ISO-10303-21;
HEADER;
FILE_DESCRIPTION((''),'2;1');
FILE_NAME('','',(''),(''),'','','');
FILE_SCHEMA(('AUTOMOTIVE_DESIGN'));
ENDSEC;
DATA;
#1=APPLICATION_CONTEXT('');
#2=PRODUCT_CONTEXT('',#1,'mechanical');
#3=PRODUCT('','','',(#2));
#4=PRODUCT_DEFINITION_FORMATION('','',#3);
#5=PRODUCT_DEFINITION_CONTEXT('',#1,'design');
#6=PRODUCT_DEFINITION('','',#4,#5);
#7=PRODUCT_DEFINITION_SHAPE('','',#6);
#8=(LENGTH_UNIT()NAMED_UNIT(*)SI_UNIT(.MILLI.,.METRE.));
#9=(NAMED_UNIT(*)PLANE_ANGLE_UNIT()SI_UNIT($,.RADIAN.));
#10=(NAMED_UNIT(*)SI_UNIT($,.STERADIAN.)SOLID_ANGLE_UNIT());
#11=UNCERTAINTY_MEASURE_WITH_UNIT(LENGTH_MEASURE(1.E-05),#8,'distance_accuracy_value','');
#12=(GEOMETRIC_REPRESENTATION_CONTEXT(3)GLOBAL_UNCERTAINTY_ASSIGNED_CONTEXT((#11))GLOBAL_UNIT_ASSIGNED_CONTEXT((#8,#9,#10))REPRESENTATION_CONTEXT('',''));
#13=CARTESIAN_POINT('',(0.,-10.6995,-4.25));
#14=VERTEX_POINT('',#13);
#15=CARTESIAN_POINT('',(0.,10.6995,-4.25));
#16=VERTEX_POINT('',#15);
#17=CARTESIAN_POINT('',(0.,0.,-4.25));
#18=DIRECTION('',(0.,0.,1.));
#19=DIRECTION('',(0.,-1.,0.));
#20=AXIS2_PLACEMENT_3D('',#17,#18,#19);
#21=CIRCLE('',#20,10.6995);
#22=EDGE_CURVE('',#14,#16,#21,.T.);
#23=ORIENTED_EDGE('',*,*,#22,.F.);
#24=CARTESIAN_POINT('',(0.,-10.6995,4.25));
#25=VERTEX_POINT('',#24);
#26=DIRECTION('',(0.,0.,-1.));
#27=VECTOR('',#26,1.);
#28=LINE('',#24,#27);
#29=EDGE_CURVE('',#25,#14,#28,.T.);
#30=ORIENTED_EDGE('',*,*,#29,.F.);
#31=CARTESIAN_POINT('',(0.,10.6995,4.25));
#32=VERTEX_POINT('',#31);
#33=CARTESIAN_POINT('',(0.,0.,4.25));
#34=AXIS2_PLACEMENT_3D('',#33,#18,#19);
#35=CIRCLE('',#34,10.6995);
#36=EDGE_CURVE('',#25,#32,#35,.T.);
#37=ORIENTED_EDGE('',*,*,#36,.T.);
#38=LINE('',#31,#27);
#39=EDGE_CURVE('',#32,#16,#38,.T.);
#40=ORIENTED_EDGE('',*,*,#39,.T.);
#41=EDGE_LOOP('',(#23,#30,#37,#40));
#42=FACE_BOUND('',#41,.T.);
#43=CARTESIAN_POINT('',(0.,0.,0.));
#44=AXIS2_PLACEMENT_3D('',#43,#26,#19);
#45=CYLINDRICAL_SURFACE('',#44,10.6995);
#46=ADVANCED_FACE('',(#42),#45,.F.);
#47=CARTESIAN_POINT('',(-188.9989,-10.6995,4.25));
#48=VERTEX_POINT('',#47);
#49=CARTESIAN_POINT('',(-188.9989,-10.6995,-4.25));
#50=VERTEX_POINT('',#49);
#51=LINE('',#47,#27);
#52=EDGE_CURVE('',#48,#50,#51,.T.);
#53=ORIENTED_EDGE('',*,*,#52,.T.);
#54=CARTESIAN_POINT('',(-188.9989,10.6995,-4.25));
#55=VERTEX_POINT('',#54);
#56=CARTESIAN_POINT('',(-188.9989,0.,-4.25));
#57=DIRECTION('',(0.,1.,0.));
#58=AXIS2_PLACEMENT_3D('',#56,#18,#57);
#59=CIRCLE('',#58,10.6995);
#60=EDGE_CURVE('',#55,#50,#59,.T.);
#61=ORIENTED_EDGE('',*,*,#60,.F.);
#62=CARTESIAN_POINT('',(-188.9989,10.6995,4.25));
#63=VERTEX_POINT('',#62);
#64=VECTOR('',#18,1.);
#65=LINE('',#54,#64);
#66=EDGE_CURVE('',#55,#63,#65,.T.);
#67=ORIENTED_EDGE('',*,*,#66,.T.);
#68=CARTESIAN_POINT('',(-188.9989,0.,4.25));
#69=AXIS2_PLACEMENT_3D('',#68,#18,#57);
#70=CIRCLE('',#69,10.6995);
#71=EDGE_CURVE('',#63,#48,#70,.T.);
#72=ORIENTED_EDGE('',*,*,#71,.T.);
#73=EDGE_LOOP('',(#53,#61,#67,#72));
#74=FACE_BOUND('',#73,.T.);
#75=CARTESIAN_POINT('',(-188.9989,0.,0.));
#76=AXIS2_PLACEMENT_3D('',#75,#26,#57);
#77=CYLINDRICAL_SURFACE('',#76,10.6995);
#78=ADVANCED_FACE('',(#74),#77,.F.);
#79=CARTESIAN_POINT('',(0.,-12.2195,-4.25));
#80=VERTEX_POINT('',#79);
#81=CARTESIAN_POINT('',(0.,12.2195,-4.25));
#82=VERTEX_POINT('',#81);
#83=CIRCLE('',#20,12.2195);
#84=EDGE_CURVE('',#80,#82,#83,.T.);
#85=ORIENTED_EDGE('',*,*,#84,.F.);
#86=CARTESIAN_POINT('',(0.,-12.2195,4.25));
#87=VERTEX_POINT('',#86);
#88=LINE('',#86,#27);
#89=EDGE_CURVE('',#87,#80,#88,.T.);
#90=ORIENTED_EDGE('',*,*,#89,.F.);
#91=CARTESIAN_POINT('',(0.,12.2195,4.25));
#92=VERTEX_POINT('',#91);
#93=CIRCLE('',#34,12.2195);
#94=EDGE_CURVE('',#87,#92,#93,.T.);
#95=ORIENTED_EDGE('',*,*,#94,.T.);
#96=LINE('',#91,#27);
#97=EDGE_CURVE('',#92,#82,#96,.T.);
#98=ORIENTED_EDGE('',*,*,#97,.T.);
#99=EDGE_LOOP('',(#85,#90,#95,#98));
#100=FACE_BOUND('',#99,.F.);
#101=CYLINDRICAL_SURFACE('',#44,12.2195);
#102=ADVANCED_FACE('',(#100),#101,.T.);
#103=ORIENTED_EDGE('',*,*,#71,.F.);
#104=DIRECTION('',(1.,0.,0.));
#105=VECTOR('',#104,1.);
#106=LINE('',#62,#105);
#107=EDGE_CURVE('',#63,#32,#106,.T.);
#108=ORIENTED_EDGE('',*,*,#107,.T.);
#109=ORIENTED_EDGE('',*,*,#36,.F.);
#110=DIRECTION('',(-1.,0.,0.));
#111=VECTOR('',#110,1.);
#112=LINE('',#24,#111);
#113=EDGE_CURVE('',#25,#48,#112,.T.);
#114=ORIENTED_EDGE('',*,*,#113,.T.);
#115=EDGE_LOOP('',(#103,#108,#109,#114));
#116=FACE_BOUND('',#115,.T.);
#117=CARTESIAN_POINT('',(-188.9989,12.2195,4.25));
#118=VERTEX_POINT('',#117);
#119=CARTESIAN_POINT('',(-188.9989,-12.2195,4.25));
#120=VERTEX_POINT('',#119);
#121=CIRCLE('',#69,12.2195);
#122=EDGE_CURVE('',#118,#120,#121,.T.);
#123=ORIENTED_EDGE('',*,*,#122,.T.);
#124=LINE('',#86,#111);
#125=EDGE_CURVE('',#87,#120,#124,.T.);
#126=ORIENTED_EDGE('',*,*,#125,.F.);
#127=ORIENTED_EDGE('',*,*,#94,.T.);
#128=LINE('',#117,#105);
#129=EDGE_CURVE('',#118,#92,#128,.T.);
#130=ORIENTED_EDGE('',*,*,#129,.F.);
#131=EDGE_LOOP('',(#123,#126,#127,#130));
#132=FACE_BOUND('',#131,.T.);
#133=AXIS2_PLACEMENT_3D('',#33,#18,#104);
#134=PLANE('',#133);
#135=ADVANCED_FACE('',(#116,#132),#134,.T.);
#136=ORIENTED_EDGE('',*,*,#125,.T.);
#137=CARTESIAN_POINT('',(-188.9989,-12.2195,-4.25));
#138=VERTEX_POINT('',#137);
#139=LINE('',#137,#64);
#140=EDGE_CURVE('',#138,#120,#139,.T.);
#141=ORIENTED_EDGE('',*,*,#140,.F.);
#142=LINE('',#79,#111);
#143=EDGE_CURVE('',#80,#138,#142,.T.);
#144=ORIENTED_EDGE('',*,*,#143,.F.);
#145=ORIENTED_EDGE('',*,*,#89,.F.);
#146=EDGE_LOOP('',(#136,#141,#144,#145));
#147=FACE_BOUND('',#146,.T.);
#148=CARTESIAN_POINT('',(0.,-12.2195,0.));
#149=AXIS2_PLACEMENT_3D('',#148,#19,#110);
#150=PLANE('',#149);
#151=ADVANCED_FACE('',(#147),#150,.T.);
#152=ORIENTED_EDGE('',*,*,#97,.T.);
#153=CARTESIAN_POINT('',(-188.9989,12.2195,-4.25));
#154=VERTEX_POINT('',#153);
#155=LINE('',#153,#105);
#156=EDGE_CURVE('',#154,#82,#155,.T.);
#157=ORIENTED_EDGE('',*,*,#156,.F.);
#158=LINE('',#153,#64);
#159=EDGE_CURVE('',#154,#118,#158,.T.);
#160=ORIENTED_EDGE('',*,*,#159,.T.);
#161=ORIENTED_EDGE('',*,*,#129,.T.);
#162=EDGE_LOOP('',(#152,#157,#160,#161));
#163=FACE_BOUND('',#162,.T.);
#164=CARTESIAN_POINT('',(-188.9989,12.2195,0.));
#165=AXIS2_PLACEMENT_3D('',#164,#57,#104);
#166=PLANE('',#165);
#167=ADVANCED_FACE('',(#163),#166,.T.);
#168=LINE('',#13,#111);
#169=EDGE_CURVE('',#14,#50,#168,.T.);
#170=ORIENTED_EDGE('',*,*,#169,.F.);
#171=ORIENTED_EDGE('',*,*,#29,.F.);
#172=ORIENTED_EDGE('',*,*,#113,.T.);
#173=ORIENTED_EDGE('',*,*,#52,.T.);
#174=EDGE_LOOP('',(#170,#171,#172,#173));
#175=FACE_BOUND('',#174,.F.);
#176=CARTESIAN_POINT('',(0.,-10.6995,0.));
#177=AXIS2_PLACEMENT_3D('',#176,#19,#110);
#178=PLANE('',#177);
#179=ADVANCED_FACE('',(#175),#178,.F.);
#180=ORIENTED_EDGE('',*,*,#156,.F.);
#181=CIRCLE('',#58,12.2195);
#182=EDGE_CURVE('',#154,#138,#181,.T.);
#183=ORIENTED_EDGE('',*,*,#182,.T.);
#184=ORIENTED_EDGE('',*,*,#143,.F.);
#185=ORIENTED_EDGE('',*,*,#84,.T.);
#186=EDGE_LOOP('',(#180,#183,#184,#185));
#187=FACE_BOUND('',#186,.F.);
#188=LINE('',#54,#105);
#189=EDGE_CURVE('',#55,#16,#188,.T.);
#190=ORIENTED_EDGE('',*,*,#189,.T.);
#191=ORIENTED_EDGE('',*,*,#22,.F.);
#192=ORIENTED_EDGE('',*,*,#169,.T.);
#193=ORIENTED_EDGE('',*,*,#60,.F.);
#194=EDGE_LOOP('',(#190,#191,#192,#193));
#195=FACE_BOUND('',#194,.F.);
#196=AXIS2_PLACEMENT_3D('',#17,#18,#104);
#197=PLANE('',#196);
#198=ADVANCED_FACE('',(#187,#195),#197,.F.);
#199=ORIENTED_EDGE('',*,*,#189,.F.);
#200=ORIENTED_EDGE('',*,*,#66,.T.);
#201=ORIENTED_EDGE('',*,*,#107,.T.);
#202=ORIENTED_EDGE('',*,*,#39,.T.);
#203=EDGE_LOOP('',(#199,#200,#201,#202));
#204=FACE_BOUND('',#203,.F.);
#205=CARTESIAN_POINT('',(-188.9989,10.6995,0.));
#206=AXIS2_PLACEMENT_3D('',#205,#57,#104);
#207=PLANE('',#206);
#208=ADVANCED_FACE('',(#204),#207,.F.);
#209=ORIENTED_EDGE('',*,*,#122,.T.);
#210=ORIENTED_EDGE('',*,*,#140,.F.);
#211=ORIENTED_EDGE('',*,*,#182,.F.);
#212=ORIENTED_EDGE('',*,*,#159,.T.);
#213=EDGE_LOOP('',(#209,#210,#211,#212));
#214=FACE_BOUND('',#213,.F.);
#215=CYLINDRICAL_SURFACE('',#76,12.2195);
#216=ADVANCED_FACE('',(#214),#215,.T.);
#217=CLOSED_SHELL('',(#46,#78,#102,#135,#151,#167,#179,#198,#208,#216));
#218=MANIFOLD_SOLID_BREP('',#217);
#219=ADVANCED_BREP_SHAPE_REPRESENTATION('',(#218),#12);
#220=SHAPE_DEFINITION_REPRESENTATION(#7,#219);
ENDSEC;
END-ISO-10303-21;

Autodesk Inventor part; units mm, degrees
ref_plane "YZ Plane" through (0, 0, 0) normal (1, 0, 0) x (0, 1, 0)
ref_plane "XZ Plane" through (0, 0, 0) normal (0, 1, 0) x (-1, 0, 0)
ref_plane "XY Plane" through (0, 0, 0) normal (0, 0, 1) x (1, 0, 0)
sketch "Sketch1" plane through (0, 0, 0) normal (0, 0, 1) x (1, 0, 0)
  arc A0 (0, -11.4595) -> (0, 11.4595) centre (0, 0) ccw construction
  arc A1 (-188.9989, 11.4595) -> (-188.9989, -11.4595) centre (-188.9989, 0) ccw construction
  line L0 (0, -11.4595) -> (-188.9989, -11.4595) construction
  line L1 (0, 11.4595) -> (-188.9989, 11.4595) construction
  dimension "Belt_Teeth" = 150
  dimension "Belt_Pitch2" = 3
  dimension "d0" = 22.919
  dimension "d1" = 22.919
  dimension "d2" = 36.0011
  dimension "d3" = 36.0011
  dimension "Center_Distance" = 188.9989
  dimension "d5" = 188.9989
sketch "Sketch2" plane through (0, 0, 0) normal (0, 0, 1) x (1, 0, 0)
  line L0 (35.7235, 34.2567) -> (38.7235, 34.2567)
  point P0 (0, 0)
  dimension "Belt_Pitch2" = 3
sketch "Sketch4" plane through (0, 0, 0) normal (0, 0, 1) x (1, 0, 0)
  line L0 (-16.1422, -21.869) -> (-14.1422, -21.869)
  line L1 (-16.1422, -21.869) -> (-16.1422, -20.349)
  arc A0 (-15.5872, -20.904) -> (-16.1422, -20.349) centre (-16.1422, -20.904) ccw
  line L2 (-15.5872, -20.904) -> (-15.5872, -20.959)
  arc A1 (-15.5872, -20.959) -> (-15.4372, -21.109) centre (-15.4372, -20.959) ccw
  line L3 (-15.4372, -21.109) -> (-14.8472, -21.109)
  line L4 (-14.1422, -21.869) -> (-14.1422, -20.349)
  arc A2 (-14.1422, -20.349) -> (-14.6972, -20.904) centre (-14.1422, -20.904) ccw
  arc A3 (-14.8472, -21.109) -> (-14.6972, -20.959) centre (-14.8472, -20.959) ccw
  line L5 (-14.6972, -20.959) -> (-14.6972, -20.904)
  line L6 (0, 11.4595) -> (-188.9989, 11.4595) construction
  arc A4 (-188.9989, 11.4595) -> (-188.9989, -11.4595) centre (-188.9989, 0) ccw construction
  line L7 (0, -11.4595) -> (-188.9989, -11.4595) construction
  arc A5 (0, -11.4595) -> (0, 11.4595) centre (0, 0) ccw construction
  arc A6 (-188.9989, 12.2195) -> (-188.9989, -12.2195) centre (-188.9989, 0) ccw
  line L8 (-188.9989, 12.2195) -> (0, 12.2195)
  arc A7 (0, -12.2195) -> (0, 12.2195) centre (0, 0) ccw
  line L9 (0, -12.2195) -> (-188.9989, -12.2195)
  arc A8 (-188.9989, 10.6995) -> (-188.9989, -10.6995) centre (-188.9989, 0) ccw
  line L10 (-188.9989, 10.6995) -> (0, 10.6995)
  arc A9 (0, -10.6995) -> (0, 10.6995) centre (0, 0) ccw
  line L11 (0, -10.6995) -> (-188.9989, -10.6995)
  point P0 (-15.1422, -21.109)
  point P1 (-15.1422, -21.869)
  dimension "d9" = 2
  dimension "d10" = 1.52
  dimension "d11" = 0.76
  dimension "d12" = 0.555
  dimension "d13" = 0.555
  dimension "d14" = 0.15
  dimension "d15" = 0.15
  dimension "belt_thickness" = 1.52
  dimension "d44" = 0.76
extrude "Extrusion2" add sketch "Sketch4" along normal mid plane 8.5 contours L8 A7 L9 A6
sketch "Sketch5" plane through (0, 0, 4.25) normal (0, 0, 1) x (1, 0, 0)
  line L0 (-188.9989, 10.6995) -> (0, 10.6995) construction
  arc A0 (0, -10.6995) -> (0, 10.6995) centre (0, 0) ccw construction
  line L1 (0, -10.6995) -> (-188.9989, -10.6995) construction
  arc A1 (-188.9989, 10.6995) -> (-188.9989, -10.6995) centre (-188.9989, 0) ccw construction
  arc A2 (-188.9989, 12.2195) -> (-188.9989, -12.2195) centre (-188.9989, 0) ccw construction
  line L2 (-188.9989, -12.2195) -> (0, -12.2195) construction
  arc A3 (0, -12.2195) -> (0, 12.2195) centre (0, 0) ccw construction
  line L3 (0, 12.2195) -> (-188.9989, 12.2195) construction
  line L4 (-7.7556, -2.6989) -> (-5.7556, -2.6989)
  line L5 (-7.7556, -2.6989) -> (-7.7556, -1.1789) construction
  arc A4 (-7.2006, -1.7339) -> (-7.7556, -1.1789) centre (-7.7556, -1.7339) ccw
  line L6 (-7.2006, -1.7339) -> (-7.2006, -1.7889)
  arc A5 (-7.2006, -1.7889) -> (-7.0506, -1.9389) centre (-7.0506, -1.7889) ccw
  line L7 (-7.0506, -1.9389) -> (-6.4606, -1.9389)
  line L8 (-5.7556, -2.6989) -> (-5.7556, -1.1789)
  arc A6 (-5.7556, -1.1789) -> (-6.3106, -1.7339) centre (-5.7556, -1.7339) ccw
  arc A7 (-6.4606, -1.9389) -> (-6.3106, -1.7889) centre (-6.4606, -1.7889) ccw
  line L9 (-6.3106, -1.7889) -> (-6.3106, -1.7339)
  line L10 (-8.3106, -1.7339) -> (-8.3106, -1.7889)
  arc A8 (-7.7556, -1.1789) -> (-8.3106, -1.7339) centre (-7.7556, -1.7339) ccw
  arc A9 (-8.4606, -1.9389) -> (-8.3106, -1.7889) centre (-8.4606, -1.7889) ccw
  line L11 (-8.4606, -1.9389) -> (-9.0506, -1.9389)
  line L12 (-7.7556, -2.6989) -> (-9.7556, -2.6989)
  line L13 (-9.2006, -1.7889) -> (-9.2006, -1.7339)
  arc A10 (-9.2006, -1.7339) -> (-9.7556, -1.1789) centre (-9.7556, -1.7339) ccw
  line L14 (-9.7556, -2.6989) -> (-9.7556, -1.1789)
  arc A11 (-9.2006, -1.7889) -> (-9.0506, -1.9389) centre (-9.0506, -1.7889) ccw
  line L15 (-17.66, -0.8495) -> (-14.922, -0.8495) construction
  line L16 (-14.922, -0.8495) -> (-14.922, -2.3671) construction
  line L17 (-14.922, -2.3671) -> (-17.66, -2.3671) construction
  line L18 (-17.66, -2.3671) -> (-17.66, -0.8495) construction
  arc A12 (-15.6383, -1.7102) -> (-16.7483, -1.7102) centre (-16.1933, -1.7102) ccw construction
  line L19 (-16.7483, -1.7102) -> (-16.7483, -1.7652) construction
  arc A13 (-16.8983, -1.9152) -> (-16.7483, -1.7652) centre (-16.8983, -1.7652) ccw construction
  line L20 (-16.7483, -1.7102) -> (-16.7483, -1.9152) construction
  line L21 (-15.6383, -1.7102) -> (-15.6383, -1.9152) construction
  point P0 (-6.7556, -1.9389)
  point P1 (-6.7556, -2.6989)
  point P2 (-8.7556, -2.6989)
  point P3 (-8.7556, -1.9389)
  dimension "d22" = 2
  dimension "d23" = 1.52
  dimension "d24" = 0.76
  dimension "d25" = 0.555
  dimension "d26" = 0.555
  dimension "d27" = 0.15
  dimension "d28" = 0.15
  dimension "d29" = 0.76
  dimension "d30" = 1
  dimension "d31" = 2
  dimension "d32" = 0.59
  dimension "d34" = 0.555
  dimension "d35" = 0
  dimension "d36" = 0
  dimension "d37" = 0.15
  dimension "d38" = 0.055
  dimension "d39" = 0.055
  dimension "d40" = 0
  dimension "d41" = 0
  dimension "d42" = 0.205
  dimension "d43" = 0.205
equation "\"d13\" = d12"
equation "\"d15\" = d14"
equation "\"d44\" = 0.5 * belt_thickness"
equation "\"d26\" = d25"
equation "\"d28\" = d27"
equation "\"d30\" = 0.5 * d22"
equation "\"d31\" = d22"
equation "\"d43\" = d42"
equation "\"Belt_Teeth\" = 150"
equation "\"Belt_Pitch\" = 3"
equation "\"HTD_5mm\" = 5"
equation "\"GT2_3mm\" = 3"
equation "\"Center_Distance_Copy\" = Center_Distance"
properties part number "150T GT2 Belt" material "Rubber"
